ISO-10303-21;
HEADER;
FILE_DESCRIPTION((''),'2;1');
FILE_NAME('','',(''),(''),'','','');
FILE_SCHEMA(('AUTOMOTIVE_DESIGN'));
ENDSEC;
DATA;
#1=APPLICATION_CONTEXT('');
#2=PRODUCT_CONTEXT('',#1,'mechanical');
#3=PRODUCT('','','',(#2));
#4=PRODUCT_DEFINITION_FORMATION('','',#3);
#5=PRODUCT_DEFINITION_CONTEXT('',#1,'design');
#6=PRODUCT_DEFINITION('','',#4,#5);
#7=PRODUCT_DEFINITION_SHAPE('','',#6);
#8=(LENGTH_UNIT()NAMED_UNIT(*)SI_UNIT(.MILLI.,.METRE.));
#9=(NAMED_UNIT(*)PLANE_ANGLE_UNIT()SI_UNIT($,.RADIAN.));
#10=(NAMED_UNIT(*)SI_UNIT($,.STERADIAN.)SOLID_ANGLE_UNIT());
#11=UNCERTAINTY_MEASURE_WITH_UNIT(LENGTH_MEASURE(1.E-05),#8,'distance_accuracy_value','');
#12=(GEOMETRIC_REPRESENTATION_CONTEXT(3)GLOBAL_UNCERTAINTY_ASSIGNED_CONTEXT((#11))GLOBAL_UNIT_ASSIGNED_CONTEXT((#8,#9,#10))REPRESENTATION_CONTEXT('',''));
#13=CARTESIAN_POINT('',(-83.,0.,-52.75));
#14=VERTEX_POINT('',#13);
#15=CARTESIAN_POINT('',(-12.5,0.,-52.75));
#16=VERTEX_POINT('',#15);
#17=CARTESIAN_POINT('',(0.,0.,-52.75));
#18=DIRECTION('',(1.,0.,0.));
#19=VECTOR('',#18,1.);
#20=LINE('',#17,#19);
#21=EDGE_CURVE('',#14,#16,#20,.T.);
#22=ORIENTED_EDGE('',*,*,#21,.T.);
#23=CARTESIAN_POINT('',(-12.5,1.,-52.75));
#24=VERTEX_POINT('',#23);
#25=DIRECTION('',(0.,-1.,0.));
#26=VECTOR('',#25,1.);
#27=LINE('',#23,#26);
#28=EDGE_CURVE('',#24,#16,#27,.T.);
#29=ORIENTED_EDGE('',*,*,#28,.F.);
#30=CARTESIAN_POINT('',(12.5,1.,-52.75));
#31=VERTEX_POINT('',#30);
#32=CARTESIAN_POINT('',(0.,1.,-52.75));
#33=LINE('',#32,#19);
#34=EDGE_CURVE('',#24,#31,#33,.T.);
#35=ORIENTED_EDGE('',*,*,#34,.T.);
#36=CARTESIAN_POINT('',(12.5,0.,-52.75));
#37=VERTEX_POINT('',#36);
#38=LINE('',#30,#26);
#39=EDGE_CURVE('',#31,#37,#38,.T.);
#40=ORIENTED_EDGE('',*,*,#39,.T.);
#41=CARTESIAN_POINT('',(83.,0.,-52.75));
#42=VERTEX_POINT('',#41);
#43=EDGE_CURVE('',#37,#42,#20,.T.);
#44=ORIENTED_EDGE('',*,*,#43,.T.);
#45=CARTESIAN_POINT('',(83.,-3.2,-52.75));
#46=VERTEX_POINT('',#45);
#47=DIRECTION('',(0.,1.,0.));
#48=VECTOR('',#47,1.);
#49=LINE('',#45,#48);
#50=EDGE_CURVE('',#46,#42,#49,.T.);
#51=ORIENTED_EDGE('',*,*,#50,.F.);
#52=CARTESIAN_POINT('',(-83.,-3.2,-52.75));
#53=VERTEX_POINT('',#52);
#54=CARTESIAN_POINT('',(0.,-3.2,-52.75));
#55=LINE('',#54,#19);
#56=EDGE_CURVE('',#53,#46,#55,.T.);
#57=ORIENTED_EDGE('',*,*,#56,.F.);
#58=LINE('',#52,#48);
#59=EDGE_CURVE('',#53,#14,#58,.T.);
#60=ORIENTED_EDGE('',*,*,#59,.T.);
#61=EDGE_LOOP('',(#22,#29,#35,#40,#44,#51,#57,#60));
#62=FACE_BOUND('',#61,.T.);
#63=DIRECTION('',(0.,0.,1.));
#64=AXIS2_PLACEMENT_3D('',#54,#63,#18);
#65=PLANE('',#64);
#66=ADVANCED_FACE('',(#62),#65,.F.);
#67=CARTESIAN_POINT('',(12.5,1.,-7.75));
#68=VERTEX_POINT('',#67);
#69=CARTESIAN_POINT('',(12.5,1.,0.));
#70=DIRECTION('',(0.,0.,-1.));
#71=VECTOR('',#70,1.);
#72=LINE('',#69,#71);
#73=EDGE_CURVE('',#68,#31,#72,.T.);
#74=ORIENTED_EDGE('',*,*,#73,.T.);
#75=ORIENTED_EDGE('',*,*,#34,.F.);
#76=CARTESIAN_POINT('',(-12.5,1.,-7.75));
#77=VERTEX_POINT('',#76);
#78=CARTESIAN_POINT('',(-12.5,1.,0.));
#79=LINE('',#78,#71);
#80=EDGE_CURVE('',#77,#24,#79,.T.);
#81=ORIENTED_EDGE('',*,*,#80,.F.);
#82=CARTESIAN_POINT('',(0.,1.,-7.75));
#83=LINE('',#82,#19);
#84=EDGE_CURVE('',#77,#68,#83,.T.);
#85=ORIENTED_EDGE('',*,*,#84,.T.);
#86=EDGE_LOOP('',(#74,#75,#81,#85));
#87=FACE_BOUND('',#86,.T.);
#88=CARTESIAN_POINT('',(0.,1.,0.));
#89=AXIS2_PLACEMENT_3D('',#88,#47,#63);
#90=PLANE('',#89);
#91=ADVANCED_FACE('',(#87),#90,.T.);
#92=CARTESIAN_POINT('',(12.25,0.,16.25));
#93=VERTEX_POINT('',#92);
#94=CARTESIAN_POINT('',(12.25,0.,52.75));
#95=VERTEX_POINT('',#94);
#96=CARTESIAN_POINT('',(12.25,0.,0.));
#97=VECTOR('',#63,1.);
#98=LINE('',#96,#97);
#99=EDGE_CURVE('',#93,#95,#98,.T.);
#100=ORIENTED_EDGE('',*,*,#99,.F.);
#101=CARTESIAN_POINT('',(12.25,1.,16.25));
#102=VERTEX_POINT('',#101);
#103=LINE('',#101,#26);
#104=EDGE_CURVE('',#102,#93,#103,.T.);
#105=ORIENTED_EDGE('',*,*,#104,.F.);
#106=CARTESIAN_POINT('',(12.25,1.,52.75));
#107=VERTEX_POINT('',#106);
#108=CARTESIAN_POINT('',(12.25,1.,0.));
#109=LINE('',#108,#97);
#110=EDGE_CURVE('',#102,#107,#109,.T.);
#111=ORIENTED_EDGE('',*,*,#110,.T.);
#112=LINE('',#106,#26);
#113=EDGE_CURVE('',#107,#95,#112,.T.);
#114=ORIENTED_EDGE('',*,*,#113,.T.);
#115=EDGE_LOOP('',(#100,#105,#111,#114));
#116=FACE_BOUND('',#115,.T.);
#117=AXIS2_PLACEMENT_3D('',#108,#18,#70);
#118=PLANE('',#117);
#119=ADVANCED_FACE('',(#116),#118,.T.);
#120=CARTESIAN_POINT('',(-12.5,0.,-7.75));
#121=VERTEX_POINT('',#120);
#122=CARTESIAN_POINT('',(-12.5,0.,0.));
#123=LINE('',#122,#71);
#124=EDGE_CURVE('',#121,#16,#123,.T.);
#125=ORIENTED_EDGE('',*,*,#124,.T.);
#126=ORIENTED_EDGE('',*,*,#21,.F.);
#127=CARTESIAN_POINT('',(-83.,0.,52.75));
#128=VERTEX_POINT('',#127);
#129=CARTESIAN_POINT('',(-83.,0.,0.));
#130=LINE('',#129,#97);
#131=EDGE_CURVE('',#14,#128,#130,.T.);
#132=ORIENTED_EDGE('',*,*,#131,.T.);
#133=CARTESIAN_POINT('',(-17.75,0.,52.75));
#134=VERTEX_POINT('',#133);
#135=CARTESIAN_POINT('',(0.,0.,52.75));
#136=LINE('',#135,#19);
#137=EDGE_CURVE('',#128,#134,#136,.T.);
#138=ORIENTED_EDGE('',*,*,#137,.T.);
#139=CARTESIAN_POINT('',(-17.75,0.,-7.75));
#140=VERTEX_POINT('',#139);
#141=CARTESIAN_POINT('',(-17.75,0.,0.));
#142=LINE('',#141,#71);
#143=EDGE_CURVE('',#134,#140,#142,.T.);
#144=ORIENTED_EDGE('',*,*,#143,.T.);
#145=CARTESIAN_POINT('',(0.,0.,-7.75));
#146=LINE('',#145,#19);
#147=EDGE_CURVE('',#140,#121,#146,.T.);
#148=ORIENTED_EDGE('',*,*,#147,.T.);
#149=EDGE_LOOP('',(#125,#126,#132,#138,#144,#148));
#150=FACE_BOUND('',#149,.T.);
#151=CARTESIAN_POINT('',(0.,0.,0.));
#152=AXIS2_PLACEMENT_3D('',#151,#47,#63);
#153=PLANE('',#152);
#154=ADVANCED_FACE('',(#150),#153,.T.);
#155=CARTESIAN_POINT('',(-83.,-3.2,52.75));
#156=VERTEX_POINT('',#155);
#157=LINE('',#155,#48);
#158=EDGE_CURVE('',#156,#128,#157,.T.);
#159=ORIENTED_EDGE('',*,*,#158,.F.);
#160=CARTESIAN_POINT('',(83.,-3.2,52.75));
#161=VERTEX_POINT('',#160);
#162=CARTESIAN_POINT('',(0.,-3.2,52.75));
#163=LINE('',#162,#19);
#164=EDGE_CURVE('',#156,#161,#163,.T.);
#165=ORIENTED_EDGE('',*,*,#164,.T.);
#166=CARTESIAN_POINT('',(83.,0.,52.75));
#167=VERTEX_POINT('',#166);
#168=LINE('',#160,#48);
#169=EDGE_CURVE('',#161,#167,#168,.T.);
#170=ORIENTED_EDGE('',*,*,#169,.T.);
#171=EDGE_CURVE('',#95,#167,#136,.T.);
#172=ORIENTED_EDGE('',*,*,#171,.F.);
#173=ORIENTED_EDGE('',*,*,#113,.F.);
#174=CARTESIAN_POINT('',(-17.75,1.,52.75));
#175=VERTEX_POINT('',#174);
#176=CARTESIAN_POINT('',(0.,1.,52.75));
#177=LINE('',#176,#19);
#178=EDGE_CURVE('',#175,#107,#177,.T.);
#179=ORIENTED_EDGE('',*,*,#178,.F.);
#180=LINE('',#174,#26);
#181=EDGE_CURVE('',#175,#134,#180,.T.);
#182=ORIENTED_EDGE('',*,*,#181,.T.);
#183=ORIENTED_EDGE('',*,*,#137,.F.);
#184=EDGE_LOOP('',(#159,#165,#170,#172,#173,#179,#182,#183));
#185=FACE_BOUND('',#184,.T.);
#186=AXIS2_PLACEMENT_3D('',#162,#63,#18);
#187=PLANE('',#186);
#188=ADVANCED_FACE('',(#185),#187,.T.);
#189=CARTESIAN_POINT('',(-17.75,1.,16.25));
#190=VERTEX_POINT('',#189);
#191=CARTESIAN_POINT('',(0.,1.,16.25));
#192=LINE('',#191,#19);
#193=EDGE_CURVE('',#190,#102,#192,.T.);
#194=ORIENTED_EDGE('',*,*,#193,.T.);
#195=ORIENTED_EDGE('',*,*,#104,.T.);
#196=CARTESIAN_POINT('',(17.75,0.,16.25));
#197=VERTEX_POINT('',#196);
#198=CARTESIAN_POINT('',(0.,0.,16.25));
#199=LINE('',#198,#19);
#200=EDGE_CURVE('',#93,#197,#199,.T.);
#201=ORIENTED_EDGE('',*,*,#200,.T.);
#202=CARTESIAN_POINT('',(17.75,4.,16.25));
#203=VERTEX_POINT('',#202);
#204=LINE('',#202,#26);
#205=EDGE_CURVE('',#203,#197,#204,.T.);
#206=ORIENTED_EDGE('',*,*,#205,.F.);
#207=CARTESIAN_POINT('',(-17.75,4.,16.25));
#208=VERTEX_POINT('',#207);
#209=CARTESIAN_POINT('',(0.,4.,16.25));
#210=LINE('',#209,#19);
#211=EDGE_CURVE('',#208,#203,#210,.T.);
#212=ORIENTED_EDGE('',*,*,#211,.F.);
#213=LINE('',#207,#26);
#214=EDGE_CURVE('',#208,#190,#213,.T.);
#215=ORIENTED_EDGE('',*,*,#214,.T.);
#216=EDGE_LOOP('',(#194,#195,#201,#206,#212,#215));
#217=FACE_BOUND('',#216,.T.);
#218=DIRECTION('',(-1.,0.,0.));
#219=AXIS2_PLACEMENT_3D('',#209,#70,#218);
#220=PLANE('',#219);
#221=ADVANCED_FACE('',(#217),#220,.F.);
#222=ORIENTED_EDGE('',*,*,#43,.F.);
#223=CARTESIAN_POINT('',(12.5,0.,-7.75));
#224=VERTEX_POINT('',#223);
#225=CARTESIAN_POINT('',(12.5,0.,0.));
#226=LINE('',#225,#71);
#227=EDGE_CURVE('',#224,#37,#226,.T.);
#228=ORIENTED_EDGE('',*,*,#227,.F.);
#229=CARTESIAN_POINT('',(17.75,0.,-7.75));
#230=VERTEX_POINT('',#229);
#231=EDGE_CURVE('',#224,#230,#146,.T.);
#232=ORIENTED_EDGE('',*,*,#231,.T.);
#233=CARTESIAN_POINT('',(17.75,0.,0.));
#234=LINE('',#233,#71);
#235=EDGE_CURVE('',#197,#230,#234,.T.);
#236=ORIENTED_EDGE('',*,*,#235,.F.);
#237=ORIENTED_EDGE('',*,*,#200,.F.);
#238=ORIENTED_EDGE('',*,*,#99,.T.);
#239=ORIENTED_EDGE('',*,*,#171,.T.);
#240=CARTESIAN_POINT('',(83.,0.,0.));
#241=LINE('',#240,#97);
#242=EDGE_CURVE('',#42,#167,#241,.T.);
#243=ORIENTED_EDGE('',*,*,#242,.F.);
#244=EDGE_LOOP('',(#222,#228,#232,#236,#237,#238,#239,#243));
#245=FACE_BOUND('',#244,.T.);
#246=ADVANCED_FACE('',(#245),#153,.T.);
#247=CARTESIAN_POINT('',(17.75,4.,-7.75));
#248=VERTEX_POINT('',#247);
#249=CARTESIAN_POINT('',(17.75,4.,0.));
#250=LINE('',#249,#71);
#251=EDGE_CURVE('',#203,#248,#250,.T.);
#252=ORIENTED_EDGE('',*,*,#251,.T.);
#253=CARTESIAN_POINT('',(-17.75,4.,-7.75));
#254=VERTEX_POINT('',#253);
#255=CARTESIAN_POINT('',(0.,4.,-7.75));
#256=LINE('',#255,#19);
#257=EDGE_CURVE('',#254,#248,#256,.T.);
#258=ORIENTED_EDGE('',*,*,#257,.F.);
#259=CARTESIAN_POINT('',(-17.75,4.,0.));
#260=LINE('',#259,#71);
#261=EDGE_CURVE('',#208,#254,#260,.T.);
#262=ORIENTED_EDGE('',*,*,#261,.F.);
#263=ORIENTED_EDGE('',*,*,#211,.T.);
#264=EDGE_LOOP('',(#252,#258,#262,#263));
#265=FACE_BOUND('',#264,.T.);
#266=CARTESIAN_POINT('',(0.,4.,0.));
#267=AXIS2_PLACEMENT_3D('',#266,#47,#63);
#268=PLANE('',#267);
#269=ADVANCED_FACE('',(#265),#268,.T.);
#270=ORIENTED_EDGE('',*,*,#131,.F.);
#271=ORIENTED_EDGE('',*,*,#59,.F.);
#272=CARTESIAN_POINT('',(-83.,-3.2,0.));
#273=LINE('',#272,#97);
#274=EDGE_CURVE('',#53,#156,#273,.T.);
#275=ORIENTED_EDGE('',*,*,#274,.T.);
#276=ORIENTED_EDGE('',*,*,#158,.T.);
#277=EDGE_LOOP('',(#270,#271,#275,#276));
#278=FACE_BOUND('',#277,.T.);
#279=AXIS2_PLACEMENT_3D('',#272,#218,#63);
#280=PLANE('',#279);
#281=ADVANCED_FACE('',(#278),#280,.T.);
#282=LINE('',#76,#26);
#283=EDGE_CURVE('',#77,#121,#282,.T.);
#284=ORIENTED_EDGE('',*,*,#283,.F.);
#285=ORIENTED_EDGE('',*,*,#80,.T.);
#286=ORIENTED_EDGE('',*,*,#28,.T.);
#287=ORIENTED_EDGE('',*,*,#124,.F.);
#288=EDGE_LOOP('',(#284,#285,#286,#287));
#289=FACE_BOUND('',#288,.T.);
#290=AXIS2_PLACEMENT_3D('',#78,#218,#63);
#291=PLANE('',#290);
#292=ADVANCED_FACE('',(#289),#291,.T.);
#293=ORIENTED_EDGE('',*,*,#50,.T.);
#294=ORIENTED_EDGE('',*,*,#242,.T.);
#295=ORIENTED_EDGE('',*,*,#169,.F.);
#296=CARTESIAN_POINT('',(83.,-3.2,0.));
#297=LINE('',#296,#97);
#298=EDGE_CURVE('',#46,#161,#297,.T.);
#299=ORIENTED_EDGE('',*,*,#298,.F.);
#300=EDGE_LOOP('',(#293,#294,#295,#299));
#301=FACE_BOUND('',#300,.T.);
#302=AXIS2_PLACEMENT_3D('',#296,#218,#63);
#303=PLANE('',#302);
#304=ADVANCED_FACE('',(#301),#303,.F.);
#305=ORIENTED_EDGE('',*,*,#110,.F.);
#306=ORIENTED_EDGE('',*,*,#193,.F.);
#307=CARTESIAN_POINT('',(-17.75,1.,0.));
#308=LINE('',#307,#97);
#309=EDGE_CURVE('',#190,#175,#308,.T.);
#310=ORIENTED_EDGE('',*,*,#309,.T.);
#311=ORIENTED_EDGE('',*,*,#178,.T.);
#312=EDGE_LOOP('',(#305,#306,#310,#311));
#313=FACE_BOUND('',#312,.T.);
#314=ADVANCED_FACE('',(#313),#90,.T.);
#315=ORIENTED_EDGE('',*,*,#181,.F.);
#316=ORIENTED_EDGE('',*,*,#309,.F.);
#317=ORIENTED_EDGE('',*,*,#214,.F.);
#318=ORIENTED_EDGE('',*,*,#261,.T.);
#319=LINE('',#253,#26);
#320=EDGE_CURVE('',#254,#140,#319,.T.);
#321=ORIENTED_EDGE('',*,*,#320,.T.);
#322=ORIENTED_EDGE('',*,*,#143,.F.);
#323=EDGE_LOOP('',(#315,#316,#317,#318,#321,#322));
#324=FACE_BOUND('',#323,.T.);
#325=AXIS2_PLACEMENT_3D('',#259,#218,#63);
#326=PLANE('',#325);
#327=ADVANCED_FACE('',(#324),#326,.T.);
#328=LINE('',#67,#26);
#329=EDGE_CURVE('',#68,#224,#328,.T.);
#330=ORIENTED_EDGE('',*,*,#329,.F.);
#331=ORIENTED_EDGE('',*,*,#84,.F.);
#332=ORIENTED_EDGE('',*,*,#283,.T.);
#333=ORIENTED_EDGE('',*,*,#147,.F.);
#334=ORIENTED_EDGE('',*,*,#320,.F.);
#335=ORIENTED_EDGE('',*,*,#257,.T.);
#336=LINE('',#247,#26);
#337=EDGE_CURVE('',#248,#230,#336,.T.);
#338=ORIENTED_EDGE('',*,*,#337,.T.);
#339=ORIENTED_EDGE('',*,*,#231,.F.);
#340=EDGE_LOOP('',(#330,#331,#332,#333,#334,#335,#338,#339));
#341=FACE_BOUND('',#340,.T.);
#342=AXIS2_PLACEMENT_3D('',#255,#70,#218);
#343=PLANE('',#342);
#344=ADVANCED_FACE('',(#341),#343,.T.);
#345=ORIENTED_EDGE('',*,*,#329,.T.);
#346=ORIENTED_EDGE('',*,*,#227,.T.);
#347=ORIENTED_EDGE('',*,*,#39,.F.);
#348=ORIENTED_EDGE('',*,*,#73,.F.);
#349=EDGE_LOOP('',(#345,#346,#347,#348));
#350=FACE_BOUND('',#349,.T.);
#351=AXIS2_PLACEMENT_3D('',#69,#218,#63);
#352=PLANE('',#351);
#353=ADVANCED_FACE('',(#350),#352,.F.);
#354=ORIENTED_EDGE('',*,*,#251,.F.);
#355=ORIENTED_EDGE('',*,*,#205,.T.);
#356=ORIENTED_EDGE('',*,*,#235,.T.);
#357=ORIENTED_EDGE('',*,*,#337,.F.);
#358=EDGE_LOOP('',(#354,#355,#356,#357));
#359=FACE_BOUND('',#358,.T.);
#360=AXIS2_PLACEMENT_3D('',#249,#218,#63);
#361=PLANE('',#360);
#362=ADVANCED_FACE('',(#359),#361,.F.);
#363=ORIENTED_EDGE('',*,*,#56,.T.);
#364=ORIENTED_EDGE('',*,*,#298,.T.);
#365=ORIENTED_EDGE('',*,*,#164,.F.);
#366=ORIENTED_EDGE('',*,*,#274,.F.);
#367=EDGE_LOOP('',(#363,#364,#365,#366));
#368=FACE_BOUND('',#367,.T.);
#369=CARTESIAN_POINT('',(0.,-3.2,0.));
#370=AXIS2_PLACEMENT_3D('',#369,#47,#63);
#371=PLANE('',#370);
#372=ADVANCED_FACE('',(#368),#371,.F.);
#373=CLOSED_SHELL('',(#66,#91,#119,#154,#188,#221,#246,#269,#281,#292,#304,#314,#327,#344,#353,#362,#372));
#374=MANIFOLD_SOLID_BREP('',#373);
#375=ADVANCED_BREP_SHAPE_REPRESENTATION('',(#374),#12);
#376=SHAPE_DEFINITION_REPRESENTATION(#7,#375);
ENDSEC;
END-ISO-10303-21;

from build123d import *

# Parameters (mm, degrees)
BOSS_EXTRUDE1_DEPTH = 4
SKETCH1_3_W         = 166
SKETCH1_3_H         = 105.5
BOSS_EXTRUDE2_DEPTH = 3.2
SKETCH1_4_W         = 25
SKETCH1_4_H         = 45
SKETCH1_4_W_2       = 30
SKETCH1_4_H_2       = 36.5
BOSS_EXTRUDE3_DEPTH = 1


with BuildPart() as part:
    # Sketch1 → Boss-Extrude1 (new body)
    with BuildSketch(Plane(origin=(0, 0, 0), x_dir=(1, 0, 0), z_dir=(0, 1, 0))):
        Polygon((12.5, 7.75), (-12.5, 7.75), (-17.75, 7.75), (-17.75, -16.25), (12.25, -16.25), (17.75, -16.25), (17.75, 7.75), align=None)
    extrude(amount=BOSS_EXTRUDE1_DEPTH)

    # Sketch1<3> → Boss-Extrude2 (add)
    with BuildSketch(Plane(origin=(0, 0, 0), x_dir=(1, 0, 0), z_dir=(0, 1, 0))):
        Rectangle(SKETCH1_3_W, SKETCH1_3_H)
    extrude(amount=-BOSS_EXTRUDE2_DEPTH)

    # Sketch1<4> → Boss-Extrude3 (add)
    with BuildSketch(Plane(origin=(0, 0, 0), x_dir=(1, 0, 0), z_dir=(0, 1, 0))):
        with Locations((0, 30.25)):
            Rectangle(SKETCH1_4_W, SKETCH1_4_H)
        with Locations((-2.75, -34.5)):
            Rectangle(SKETCH1_4_W_2, SKETCH1_4_H_2)
    extrude(amount=BOSS_EXTRUDE3_DEPTH)


solid = part.part
